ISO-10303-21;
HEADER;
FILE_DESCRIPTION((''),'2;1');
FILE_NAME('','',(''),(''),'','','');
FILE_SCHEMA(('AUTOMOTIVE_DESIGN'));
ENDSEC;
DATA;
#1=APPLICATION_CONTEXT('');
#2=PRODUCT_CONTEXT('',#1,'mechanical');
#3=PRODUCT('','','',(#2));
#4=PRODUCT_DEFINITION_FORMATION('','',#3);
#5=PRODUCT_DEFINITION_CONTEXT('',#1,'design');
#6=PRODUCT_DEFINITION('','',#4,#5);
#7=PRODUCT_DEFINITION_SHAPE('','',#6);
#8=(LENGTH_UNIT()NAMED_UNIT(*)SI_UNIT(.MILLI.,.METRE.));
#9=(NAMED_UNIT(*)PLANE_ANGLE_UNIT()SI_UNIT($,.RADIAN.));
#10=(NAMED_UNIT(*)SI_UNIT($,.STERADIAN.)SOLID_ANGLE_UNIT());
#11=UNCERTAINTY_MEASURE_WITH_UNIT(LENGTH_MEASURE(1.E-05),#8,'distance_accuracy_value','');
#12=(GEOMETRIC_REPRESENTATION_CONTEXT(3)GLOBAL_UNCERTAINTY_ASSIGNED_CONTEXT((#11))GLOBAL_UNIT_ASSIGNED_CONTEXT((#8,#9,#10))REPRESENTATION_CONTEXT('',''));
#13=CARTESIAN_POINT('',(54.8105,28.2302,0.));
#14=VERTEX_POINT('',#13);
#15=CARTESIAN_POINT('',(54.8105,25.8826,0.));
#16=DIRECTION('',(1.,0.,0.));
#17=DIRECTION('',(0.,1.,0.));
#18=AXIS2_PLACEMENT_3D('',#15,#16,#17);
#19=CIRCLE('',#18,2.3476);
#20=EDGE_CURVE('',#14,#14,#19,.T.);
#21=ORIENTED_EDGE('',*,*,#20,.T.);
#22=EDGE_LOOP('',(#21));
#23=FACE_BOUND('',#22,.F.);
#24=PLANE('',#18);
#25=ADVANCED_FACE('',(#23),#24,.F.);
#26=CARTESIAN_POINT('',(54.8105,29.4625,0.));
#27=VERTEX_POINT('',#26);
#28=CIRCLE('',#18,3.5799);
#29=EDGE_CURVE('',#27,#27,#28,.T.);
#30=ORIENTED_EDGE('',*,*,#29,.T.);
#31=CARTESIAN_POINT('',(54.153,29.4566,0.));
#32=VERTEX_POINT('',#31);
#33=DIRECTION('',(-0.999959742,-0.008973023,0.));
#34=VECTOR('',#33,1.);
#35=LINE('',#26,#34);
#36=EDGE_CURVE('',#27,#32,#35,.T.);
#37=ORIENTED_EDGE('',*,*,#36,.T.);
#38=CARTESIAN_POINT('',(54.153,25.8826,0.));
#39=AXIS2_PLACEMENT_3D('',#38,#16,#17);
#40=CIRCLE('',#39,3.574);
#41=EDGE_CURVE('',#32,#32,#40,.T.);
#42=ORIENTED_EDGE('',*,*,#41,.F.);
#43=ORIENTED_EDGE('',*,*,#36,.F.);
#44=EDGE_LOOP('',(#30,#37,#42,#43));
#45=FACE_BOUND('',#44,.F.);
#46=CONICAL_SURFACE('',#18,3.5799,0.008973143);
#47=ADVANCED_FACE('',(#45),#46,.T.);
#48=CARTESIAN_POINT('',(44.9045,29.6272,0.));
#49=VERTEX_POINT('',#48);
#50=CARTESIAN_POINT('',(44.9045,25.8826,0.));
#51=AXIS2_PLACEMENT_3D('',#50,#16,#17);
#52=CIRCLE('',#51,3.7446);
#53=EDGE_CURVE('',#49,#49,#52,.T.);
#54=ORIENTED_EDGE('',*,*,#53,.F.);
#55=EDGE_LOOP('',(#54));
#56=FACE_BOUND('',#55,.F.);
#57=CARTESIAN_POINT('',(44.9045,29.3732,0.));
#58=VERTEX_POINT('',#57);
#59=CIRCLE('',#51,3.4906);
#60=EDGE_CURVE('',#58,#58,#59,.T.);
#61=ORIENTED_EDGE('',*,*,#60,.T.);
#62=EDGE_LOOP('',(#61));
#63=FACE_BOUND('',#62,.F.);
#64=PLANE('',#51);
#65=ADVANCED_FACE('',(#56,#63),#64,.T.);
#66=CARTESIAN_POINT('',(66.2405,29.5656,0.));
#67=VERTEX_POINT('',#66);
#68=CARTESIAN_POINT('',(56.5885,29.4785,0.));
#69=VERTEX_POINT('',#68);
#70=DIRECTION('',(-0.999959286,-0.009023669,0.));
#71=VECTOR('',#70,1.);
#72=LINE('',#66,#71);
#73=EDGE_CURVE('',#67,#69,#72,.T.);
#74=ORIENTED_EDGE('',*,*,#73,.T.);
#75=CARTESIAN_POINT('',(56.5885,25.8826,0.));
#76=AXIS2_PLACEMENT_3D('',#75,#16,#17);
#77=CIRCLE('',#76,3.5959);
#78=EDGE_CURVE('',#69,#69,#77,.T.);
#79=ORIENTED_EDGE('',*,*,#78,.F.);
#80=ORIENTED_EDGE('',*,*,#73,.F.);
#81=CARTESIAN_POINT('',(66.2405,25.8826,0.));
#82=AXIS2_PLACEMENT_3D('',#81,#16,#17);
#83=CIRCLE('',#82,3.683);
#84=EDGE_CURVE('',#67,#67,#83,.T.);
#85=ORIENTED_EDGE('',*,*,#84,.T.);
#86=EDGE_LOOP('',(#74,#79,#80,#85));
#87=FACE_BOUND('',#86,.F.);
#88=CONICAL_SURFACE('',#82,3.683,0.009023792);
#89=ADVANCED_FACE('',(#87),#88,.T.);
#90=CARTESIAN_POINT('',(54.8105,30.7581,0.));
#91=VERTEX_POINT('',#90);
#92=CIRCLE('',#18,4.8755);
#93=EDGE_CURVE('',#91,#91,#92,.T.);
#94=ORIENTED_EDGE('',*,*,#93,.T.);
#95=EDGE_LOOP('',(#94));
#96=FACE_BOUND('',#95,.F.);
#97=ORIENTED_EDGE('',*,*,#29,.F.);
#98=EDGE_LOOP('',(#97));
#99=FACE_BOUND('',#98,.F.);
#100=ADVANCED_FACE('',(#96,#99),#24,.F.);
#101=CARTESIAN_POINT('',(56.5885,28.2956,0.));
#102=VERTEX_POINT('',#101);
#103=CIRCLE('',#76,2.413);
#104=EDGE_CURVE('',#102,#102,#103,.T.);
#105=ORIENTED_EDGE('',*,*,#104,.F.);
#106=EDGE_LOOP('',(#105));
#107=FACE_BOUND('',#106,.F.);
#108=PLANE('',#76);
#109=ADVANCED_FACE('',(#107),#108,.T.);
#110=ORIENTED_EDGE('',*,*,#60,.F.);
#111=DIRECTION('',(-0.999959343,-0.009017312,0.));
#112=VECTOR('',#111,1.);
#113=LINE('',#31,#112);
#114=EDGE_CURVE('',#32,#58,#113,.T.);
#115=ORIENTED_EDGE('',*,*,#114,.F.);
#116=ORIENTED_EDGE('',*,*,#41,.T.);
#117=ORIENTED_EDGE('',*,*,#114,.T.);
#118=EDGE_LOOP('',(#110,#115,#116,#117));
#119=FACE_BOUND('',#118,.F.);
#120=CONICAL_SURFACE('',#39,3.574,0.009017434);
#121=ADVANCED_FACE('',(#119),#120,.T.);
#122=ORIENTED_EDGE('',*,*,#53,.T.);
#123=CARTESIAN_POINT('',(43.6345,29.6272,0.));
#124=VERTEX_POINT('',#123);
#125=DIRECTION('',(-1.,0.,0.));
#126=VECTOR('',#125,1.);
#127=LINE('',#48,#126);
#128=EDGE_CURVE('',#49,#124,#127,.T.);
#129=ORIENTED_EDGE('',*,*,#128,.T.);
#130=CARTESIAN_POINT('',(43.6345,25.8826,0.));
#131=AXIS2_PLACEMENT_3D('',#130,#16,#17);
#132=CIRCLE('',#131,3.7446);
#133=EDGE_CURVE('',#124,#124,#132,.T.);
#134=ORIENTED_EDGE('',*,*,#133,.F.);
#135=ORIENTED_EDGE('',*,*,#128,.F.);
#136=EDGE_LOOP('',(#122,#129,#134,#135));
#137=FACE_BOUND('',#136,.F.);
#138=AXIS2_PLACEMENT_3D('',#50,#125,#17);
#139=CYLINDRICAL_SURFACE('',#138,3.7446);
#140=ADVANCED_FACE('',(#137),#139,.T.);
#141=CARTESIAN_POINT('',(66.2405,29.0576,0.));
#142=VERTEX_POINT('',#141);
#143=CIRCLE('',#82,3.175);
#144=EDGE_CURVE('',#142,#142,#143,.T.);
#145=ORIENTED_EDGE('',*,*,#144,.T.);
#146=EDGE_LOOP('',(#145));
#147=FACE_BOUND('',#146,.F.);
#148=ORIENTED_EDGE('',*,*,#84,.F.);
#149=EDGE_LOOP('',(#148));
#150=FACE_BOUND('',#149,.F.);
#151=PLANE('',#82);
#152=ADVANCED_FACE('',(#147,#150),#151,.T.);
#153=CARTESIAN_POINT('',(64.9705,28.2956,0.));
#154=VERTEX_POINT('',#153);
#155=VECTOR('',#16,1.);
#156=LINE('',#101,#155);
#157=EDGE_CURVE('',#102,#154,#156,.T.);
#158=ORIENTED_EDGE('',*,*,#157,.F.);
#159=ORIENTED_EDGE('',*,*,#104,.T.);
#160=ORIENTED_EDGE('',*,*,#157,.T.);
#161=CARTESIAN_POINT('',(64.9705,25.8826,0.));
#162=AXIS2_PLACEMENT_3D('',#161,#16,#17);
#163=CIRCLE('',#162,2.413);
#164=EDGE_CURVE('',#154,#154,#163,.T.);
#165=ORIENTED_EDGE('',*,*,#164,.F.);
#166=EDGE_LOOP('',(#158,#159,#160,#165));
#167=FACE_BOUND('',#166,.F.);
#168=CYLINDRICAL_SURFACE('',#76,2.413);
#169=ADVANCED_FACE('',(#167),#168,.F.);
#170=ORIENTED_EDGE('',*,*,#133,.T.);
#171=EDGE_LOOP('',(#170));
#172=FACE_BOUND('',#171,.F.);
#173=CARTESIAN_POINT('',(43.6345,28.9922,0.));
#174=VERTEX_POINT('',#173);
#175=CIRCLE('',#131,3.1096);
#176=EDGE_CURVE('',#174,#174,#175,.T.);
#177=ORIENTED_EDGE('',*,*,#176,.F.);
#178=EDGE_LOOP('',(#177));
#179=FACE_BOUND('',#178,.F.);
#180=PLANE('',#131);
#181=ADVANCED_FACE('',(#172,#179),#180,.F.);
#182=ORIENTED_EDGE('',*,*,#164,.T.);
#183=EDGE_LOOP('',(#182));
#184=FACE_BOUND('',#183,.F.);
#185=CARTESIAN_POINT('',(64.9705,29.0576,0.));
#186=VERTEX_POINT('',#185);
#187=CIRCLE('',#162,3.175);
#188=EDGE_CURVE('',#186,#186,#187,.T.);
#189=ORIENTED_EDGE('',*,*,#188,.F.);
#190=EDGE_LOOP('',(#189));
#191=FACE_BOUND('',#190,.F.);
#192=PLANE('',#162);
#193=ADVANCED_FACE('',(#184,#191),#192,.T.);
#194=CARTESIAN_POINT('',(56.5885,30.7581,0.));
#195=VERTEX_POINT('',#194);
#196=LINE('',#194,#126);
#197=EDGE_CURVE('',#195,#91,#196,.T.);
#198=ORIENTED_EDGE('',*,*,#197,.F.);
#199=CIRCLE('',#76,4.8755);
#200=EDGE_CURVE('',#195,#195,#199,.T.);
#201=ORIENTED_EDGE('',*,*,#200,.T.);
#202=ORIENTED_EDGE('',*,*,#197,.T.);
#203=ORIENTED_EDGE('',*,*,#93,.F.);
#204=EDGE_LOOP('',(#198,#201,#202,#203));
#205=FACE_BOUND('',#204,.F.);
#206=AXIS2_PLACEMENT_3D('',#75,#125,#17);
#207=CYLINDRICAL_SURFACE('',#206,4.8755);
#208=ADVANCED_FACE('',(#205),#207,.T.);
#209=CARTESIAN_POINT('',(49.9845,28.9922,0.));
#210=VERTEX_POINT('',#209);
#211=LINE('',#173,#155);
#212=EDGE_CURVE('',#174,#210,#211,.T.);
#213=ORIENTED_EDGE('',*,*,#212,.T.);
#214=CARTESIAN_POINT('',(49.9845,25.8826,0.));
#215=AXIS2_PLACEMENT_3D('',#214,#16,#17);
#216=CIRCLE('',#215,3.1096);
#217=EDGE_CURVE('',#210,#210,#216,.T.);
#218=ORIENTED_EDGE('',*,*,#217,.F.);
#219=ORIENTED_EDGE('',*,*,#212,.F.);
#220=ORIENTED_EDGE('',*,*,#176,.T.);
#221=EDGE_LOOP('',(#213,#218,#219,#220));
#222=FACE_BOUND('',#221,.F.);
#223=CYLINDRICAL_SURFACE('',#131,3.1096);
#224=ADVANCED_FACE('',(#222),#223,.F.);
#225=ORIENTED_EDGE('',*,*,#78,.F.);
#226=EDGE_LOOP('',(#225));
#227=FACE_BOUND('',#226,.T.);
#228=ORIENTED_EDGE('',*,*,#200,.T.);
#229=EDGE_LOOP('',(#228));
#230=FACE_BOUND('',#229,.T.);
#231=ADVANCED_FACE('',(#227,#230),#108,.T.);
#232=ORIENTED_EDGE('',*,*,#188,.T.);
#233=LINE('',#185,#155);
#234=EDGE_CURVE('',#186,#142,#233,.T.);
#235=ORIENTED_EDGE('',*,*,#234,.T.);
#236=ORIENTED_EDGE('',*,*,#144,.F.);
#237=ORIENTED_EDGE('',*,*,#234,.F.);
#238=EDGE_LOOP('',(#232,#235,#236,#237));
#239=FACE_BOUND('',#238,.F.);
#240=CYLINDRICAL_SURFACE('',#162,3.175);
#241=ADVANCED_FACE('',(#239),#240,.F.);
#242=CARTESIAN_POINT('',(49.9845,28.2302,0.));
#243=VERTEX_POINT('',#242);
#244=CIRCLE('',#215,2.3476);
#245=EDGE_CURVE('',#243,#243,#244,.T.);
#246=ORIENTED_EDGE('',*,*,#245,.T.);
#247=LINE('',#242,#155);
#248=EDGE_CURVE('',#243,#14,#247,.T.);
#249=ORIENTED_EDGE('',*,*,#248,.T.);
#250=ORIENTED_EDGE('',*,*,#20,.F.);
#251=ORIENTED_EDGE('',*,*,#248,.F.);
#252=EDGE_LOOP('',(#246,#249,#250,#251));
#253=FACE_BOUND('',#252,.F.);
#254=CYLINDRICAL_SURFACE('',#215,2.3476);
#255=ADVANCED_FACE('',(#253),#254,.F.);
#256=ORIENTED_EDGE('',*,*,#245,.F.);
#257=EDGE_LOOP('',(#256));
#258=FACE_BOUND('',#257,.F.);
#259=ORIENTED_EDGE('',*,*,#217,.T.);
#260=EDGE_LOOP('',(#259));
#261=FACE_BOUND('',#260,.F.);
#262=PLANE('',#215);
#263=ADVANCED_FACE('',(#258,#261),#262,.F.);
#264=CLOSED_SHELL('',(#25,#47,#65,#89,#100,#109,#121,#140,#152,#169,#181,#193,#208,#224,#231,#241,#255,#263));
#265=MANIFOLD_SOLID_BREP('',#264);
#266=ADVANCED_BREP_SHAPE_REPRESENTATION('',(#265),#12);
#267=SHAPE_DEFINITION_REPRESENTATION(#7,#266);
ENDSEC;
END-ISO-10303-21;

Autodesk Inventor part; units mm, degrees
ref_plane "YZ Plane" through (0, 0, 0) normal (1, 0, 0) x (0, 1, 0)
ref_plane "XZ Plane" through (0, 0, 0) normal (0, 1, 0) x (-1, 0, 0)
sketch "Sketch1" plane through (0, 0, 0) normal (0, 0, 1) x (1, 0, 0)
  line L0 (56.5885, 25.8826) -> (56.5885, 28.2956)
  line L1 (56.5885, 28.2956) -> (64.9705, 28.2956)
  line L2 (64.9705, 28.2956) -> (64.9705, 29.0576)
  line L3 (64.9705, 29.0576) -> (66.2405, 29.0576)
  line L4 (66.2405, 29.0576) -> (66.2405, 29.5656)
  line L5 (54.153, 29.4566) -> (44.9045, 29.3732)
  line L6 (54.153, 29.4566) -> (54.8105, 29.4566) construction
  line L7 (56.5885, 30.7581) -> (54.8105, 30.7581)
  line L8 (66.2405, 29.5656) -> (56.5885, 29.4785)
  line L9 (54.8105, 29.4625) -> (54.153, 29.4566)
  line L10 (56.5885, 30.7581) -> (56.5885, 29.4785)
  line L11 (54.8105, 30.7581) -> (54.8105, 29.4625)
  line L12 (44.9045, 29.3732) -> (44.9045, 29.6272)
  line L13 (44.9045, 29.6272) -> (43.6345, 29.6272)
  line L14 (43.6345, 29.6272) -> (43.6345, 28.9922)
  line L15 (43.6345, 28.9922) -> (49.9845, 28.9922)
  line L16 (49.9845, 28.9922) -> (49.9845, 28.2302)
  line L17 (49.9845, 28.2302) -> (54.8105, 28.2302)
  line L18 (54.8105, 28.2302) -> (54.8105, 25.8826)
  line L19 (44.9045, 25.8826) -> (67.1022, 25.8826) construction
  line L20 (54.8105, 25.8826) -> (56.5885, 25.8826)
  point P0 (0, 0)
revolve "Revolution1" add sketch "Sketch1" angle 360 about axis through (44.9045, 25.8826, 0) along (1, 0, 0)
ref_plane "Work Plane1" through (43.6345, 25.8826, 0) normal (-1, 0, 0) x (0, 0, 1)
sketch "Sketch5" plane through (43.6345, 25.8826, 0) normal (-1, 0, 0) x (0, 0, 1)
  point P0 (0, -25.8826)
properties part number "AxleTL"
